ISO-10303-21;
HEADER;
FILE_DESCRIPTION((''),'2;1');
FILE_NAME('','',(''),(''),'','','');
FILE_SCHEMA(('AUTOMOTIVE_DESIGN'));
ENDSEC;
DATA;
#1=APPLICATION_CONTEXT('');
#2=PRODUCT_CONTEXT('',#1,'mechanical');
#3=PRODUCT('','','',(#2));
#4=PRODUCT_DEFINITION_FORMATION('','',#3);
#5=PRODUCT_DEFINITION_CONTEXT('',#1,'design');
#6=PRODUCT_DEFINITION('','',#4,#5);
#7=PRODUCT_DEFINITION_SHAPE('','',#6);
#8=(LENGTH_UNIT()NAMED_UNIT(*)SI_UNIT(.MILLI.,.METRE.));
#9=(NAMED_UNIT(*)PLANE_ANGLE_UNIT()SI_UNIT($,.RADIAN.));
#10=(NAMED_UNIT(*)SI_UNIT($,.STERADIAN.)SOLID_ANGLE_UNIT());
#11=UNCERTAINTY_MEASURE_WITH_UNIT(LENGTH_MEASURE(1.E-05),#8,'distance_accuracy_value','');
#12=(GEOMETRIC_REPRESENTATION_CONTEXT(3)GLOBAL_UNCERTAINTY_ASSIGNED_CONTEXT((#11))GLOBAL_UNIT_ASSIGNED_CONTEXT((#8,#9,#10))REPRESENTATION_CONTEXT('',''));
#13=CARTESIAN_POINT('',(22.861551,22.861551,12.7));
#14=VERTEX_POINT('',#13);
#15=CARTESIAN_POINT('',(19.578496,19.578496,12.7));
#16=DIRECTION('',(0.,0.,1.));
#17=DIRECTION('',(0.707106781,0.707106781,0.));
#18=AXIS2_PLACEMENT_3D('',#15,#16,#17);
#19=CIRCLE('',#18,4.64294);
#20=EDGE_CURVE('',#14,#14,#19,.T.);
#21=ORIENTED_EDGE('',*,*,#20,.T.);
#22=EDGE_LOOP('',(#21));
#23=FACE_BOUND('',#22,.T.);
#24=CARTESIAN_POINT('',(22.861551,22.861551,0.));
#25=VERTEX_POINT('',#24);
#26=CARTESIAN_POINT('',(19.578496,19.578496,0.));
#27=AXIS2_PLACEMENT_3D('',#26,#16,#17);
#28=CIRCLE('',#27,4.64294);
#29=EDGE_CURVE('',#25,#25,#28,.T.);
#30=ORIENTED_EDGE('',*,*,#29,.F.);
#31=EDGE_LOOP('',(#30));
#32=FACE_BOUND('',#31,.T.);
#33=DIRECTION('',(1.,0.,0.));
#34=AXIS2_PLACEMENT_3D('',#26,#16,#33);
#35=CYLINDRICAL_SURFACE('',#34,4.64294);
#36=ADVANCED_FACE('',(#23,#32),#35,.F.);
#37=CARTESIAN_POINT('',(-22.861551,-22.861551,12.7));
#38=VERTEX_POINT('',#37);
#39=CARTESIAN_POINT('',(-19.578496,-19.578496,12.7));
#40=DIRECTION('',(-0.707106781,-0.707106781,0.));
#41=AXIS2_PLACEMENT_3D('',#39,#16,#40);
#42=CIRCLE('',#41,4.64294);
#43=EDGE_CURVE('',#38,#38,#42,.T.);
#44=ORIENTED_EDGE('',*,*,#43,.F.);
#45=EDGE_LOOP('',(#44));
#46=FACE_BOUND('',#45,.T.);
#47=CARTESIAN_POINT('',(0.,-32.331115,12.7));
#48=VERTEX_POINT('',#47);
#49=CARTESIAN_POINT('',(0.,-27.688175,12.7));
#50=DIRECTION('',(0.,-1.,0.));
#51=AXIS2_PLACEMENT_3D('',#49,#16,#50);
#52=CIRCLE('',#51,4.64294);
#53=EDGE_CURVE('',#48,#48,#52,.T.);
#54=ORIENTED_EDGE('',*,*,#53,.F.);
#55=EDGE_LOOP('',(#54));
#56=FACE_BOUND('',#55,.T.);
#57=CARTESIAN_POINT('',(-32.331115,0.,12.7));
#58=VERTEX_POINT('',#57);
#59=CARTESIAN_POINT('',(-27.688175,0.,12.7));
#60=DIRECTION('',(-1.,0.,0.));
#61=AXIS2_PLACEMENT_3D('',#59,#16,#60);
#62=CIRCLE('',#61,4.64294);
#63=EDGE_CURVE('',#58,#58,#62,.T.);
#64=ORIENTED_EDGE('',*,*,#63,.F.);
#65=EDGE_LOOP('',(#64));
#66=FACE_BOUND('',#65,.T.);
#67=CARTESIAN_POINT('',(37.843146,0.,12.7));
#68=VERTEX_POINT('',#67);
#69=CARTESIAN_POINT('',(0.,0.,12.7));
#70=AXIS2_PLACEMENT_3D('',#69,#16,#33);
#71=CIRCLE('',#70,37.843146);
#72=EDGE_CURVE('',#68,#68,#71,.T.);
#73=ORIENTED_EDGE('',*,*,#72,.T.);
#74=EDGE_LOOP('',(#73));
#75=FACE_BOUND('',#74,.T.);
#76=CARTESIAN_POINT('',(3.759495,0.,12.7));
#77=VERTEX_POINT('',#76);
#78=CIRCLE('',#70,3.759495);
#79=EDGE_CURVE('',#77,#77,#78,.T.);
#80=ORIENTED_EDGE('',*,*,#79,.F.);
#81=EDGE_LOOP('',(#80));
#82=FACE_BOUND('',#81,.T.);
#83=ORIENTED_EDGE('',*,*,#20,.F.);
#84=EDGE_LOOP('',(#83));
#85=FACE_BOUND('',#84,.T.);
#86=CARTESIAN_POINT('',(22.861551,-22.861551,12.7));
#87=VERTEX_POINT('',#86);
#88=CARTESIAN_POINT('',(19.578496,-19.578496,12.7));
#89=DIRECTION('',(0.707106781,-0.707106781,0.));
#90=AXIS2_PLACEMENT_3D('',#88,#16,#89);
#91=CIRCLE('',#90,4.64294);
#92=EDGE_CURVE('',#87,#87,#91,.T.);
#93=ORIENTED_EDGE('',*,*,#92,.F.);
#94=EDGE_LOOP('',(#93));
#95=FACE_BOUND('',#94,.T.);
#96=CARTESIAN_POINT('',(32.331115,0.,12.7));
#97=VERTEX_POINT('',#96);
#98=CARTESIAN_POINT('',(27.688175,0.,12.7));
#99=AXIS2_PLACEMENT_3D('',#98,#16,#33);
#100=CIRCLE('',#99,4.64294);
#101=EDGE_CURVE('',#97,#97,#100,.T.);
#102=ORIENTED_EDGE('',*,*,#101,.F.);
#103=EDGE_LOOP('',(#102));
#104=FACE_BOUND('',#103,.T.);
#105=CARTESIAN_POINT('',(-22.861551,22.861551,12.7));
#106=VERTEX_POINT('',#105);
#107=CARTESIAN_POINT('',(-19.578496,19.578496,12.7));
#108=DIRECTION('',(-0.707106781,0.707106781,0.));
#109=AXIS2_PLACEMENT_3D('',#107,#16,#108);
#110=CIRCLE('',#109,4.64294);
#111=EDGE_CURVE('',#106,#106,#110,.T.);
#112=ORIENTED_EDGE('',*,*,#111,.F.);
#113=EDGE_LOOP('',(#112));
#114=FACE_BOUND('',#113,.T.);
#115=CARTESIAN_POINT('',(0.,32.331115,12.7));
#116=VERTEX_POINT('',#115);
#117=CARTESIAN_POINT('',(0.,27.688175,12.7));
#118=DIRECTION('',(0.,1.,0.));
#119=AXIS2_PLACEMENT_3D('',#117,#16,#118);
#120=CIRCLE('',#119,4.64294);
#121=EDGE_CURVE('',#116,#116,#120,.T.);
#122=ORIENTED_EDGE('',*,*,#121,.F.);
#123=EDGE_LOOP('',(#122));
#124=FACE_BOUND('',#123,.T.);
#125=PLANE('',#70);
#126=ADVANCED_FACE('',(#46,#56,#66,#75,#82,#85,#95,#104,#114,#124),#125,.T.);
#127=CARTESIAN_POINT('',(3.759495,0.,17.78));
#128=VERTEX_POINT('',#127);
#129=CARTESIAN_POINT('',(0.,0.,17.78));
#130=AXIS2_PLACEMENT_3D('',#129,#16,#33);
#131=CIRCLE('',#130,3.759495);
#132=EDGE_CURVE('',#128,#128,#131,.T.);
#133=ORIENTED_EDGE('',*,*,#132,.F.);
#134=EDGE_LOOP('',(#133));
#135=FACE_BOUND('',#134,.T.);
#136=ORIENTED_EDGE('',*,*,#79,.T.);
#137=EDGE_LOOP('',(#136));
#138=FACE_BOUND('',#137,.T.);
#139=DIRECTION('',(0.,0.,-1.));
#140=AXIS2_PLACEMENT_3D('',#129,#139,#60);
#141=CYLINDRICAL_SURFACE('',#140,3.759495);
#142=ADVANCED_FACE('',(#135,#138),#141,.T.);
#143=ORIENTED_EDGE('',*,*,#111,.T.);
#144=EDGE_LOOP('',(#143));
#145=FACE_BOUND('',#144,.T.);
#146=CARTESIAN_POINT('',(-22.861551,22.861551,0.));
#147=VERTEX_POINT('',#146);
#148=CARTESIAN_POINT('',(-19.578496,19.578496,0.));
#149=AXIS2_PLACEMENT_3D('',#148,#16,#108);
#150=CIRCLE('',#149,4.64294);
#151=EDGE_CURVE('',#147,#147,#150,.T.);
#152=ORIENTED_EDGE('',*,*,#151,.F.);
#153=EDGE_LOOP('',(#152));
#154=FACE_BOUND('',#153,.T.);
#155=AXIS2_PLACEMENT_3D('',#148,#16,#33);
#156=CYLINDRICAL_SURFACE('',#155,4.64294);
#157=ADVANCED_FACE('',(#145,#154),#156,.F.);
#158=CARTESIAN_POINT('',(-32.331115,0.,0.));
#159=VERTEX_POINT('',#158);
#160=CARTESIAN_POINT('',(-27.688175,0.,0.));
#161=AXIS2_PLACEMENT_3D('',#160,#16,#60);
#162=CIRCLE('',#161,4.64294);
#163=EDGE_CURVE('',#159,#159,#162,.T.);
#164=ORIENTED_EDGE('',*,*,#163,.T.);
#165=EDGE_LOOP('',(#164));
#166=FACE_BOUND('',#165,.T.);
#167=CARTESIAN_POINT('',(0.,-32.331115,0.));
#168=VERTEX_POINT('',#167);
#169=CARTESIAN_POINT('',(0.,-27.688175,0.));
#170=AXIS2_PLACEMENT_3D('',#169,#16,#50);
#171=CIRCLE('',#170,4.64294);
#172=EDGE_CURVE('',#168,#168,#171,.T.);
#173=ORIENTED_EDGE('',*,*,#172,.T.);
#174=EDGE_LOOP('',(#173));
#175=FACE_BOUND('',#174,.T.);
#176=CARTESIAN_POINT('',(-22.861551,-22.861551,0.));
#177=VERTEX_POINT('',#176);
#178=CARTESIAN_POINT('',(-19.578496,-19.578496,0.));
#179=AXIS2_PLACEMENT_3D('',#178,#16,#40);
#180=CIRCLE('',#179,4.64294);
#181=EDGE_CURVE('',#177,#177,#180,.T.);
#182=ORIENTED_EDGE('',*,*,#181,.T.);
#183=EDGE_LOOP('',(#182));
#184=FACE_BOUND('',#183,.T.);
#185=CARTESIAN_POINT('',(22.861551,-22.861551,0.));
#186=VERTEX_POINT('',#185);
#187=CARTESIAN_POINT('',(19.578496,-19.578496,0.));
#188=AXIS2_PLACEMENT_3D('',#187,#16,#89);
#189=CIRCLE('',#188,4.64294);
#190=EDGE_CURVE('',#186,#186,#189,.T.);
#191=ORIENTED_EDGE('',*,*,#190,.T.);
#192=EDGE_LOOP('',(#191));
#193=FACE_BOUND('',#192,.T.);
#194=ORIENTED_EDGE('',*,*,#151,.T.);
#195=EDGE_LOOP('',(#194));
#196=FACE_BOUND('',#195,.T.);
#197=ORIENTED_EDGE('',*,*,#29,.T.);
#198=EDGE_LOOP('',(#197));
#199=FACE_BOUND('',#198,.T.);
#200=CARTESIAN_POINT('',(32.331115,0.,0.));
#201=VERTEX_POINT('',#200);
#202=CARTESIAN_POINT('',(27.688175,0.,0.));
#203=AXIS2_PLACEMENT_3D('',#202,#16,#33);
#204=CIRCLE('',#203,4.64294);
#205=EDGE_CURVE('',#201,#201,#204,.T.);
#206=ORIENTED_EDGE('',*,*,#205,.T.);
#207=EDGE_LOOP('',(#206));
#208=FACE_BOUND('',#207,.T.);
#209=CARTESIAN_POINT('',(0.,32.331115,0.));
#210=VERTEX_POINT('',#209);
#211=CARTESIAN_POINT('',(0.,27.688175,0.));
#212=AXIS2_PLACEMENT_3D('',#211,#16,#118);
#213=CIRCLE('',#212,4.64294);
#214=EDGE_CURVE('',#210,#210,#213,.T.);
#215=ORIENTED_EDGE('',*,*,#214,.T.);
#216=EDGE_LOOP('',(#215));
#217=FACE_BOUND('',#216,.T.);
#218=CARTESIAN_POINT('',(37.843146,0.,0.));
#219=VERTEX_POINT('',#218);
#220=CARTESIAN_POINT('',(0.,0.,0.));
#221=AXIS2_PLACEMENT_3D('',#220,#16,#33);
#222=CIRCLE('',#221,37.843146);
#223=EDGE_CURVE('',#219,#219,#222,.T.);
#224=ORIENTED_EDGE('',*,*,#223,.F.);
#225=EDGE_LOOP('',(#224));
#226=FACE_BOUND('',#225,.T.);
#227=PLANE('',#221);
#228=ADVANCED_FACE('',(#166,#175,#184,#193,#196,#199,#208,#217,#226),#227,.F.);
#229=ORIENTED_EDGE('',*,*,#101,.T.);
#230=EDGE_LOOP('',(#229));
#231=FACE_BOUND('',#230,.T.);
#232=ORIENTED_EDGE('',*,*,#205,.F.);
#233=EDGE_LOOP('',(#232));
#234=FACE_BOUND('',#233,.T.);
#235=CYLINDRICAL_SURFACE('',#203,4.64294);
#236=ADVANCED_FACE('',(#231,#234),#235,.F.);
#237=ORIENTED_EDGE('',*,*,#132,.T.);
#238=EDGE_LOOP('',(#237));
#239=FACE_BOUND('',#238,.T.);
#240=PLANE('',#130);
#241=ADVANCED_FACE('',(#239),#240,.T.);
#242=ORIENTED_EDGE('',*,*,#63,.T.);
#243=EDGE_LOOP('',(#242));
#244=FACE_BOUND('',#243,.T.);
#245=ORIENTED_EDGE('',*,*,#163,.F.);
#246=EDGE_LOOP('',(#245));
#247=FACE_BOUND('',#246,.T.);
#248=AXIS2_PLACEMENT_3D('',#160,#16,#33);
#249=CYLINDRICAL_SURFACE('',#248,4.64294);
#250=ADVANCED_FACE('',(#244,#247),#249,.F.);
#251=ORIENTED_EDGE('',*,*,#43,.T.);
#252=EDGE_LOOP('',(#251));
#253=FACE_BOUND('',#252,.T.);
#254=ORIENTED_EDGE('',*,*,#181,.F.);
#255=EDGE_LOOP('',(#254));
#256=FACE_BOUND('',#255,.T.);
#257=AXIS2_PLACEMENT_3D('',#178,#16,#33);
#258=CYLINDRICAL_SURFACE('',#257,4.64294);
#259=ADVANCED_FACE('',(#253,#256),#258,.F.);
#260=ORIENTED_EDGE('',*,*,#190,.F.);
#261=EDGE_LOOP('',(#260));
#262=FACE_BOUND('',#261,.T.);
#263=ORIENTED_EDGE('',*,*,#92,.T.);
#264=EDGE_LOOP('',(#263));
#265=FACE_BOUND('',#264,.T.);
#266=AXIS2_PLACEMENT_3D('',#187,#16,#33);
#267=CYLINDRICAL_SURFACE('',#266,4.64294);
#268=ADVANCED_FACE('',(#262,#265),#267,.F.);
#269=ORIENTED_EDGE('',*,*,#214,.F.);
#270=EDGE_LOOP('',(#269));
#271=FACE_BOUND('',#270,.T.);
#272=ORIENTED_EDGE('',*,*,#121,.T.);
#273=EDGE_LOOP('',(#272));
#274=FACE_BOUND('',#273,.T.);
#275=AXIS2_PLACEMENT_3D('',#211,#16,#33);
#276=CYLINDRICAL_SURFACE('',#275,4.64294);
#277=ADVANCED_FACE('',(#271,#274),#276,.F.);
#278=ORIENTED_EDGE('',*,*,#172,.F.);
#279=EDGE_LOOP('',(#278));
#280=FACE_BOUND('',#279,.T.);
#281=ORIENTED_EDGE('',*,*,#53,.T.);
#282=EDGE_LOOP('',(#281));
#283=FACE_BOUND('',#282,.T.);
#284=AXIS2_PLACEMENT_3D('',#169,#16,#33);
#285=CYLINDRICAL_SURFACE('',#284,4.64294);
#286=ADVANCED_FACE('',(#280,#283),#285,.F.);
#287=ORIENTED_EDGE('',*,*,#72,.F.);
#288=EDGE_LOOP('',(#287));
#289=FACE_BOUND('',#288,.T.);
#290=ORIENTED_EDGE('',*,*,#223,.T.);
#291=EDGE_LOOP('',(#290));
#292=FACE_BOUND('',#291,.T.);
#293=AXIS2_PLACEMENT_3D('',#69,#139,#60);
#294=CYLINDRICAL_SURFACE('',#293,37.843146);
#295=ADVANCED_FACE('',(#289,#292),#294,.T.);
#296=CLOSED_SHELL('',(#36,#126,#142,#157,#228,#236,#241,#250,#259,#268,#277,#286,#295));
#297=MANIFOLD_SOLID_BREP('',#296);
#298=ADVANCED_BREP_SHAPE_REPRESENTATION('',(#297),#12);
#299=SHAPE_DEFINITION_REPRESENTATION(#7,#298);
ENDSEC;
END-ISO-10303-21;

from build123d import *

# Parameters (mm, degrees)
SKETCH1_R           = 37.843146067
BOSS_EXTRUDE1_DEPTH = 12.7
SKETCH2_R           = 3.759495298
BOSS_EXTRUDE2_DEPTH = 5.08
SKETCH4_R           = 4.642939976
CUT_EXTRUDE1_DEPTH  = 56.00452171
CIRPATTERN1_COUNT   = 8


with BuildPart() as part:
    # Sketch1 → Boss-Extrude1 (new body)
    with BuildSketch(Plane.XY):
        Circle(SKETCH1_R)
    extrude(amount=BOSS_EXTRUDE1_DEPTH)

    # Sketch2 → Boss-Extrude2 (add)
    with BuildSketch(Plane.XY.offset(12.7)):
        Circle(SKETCH2_R)
    extrude(amount=BOSS_EXTRUDE2_DEPTH)

    # Sketch4 → Cut-Extrude1 (cut, through all)
    with BuildSketch(Plane.XY.offset(12.7)):
        with Locations((27.688174832, 0)):
            Circle(SKETCH4_R)
    cut_extrude1 = extrude(amount=-CUT_EXTRUDE1_DEPTH, mode=Mode.SUBTRACT)

    # CirPattern1: Cut-Extrude1 ×8 about axis
    cirpattern1_axis = Axis((0, 0, 0), (0, 0, 1))
    for i in range(1, CIRPATTERN1_COUNT):
        add(cut_extrude1.rotate(cirpattern1_axis, i * 360 / CIRPATTERN1_COUNT), mode=Mode.SUBTRACT)


solid = part.part
